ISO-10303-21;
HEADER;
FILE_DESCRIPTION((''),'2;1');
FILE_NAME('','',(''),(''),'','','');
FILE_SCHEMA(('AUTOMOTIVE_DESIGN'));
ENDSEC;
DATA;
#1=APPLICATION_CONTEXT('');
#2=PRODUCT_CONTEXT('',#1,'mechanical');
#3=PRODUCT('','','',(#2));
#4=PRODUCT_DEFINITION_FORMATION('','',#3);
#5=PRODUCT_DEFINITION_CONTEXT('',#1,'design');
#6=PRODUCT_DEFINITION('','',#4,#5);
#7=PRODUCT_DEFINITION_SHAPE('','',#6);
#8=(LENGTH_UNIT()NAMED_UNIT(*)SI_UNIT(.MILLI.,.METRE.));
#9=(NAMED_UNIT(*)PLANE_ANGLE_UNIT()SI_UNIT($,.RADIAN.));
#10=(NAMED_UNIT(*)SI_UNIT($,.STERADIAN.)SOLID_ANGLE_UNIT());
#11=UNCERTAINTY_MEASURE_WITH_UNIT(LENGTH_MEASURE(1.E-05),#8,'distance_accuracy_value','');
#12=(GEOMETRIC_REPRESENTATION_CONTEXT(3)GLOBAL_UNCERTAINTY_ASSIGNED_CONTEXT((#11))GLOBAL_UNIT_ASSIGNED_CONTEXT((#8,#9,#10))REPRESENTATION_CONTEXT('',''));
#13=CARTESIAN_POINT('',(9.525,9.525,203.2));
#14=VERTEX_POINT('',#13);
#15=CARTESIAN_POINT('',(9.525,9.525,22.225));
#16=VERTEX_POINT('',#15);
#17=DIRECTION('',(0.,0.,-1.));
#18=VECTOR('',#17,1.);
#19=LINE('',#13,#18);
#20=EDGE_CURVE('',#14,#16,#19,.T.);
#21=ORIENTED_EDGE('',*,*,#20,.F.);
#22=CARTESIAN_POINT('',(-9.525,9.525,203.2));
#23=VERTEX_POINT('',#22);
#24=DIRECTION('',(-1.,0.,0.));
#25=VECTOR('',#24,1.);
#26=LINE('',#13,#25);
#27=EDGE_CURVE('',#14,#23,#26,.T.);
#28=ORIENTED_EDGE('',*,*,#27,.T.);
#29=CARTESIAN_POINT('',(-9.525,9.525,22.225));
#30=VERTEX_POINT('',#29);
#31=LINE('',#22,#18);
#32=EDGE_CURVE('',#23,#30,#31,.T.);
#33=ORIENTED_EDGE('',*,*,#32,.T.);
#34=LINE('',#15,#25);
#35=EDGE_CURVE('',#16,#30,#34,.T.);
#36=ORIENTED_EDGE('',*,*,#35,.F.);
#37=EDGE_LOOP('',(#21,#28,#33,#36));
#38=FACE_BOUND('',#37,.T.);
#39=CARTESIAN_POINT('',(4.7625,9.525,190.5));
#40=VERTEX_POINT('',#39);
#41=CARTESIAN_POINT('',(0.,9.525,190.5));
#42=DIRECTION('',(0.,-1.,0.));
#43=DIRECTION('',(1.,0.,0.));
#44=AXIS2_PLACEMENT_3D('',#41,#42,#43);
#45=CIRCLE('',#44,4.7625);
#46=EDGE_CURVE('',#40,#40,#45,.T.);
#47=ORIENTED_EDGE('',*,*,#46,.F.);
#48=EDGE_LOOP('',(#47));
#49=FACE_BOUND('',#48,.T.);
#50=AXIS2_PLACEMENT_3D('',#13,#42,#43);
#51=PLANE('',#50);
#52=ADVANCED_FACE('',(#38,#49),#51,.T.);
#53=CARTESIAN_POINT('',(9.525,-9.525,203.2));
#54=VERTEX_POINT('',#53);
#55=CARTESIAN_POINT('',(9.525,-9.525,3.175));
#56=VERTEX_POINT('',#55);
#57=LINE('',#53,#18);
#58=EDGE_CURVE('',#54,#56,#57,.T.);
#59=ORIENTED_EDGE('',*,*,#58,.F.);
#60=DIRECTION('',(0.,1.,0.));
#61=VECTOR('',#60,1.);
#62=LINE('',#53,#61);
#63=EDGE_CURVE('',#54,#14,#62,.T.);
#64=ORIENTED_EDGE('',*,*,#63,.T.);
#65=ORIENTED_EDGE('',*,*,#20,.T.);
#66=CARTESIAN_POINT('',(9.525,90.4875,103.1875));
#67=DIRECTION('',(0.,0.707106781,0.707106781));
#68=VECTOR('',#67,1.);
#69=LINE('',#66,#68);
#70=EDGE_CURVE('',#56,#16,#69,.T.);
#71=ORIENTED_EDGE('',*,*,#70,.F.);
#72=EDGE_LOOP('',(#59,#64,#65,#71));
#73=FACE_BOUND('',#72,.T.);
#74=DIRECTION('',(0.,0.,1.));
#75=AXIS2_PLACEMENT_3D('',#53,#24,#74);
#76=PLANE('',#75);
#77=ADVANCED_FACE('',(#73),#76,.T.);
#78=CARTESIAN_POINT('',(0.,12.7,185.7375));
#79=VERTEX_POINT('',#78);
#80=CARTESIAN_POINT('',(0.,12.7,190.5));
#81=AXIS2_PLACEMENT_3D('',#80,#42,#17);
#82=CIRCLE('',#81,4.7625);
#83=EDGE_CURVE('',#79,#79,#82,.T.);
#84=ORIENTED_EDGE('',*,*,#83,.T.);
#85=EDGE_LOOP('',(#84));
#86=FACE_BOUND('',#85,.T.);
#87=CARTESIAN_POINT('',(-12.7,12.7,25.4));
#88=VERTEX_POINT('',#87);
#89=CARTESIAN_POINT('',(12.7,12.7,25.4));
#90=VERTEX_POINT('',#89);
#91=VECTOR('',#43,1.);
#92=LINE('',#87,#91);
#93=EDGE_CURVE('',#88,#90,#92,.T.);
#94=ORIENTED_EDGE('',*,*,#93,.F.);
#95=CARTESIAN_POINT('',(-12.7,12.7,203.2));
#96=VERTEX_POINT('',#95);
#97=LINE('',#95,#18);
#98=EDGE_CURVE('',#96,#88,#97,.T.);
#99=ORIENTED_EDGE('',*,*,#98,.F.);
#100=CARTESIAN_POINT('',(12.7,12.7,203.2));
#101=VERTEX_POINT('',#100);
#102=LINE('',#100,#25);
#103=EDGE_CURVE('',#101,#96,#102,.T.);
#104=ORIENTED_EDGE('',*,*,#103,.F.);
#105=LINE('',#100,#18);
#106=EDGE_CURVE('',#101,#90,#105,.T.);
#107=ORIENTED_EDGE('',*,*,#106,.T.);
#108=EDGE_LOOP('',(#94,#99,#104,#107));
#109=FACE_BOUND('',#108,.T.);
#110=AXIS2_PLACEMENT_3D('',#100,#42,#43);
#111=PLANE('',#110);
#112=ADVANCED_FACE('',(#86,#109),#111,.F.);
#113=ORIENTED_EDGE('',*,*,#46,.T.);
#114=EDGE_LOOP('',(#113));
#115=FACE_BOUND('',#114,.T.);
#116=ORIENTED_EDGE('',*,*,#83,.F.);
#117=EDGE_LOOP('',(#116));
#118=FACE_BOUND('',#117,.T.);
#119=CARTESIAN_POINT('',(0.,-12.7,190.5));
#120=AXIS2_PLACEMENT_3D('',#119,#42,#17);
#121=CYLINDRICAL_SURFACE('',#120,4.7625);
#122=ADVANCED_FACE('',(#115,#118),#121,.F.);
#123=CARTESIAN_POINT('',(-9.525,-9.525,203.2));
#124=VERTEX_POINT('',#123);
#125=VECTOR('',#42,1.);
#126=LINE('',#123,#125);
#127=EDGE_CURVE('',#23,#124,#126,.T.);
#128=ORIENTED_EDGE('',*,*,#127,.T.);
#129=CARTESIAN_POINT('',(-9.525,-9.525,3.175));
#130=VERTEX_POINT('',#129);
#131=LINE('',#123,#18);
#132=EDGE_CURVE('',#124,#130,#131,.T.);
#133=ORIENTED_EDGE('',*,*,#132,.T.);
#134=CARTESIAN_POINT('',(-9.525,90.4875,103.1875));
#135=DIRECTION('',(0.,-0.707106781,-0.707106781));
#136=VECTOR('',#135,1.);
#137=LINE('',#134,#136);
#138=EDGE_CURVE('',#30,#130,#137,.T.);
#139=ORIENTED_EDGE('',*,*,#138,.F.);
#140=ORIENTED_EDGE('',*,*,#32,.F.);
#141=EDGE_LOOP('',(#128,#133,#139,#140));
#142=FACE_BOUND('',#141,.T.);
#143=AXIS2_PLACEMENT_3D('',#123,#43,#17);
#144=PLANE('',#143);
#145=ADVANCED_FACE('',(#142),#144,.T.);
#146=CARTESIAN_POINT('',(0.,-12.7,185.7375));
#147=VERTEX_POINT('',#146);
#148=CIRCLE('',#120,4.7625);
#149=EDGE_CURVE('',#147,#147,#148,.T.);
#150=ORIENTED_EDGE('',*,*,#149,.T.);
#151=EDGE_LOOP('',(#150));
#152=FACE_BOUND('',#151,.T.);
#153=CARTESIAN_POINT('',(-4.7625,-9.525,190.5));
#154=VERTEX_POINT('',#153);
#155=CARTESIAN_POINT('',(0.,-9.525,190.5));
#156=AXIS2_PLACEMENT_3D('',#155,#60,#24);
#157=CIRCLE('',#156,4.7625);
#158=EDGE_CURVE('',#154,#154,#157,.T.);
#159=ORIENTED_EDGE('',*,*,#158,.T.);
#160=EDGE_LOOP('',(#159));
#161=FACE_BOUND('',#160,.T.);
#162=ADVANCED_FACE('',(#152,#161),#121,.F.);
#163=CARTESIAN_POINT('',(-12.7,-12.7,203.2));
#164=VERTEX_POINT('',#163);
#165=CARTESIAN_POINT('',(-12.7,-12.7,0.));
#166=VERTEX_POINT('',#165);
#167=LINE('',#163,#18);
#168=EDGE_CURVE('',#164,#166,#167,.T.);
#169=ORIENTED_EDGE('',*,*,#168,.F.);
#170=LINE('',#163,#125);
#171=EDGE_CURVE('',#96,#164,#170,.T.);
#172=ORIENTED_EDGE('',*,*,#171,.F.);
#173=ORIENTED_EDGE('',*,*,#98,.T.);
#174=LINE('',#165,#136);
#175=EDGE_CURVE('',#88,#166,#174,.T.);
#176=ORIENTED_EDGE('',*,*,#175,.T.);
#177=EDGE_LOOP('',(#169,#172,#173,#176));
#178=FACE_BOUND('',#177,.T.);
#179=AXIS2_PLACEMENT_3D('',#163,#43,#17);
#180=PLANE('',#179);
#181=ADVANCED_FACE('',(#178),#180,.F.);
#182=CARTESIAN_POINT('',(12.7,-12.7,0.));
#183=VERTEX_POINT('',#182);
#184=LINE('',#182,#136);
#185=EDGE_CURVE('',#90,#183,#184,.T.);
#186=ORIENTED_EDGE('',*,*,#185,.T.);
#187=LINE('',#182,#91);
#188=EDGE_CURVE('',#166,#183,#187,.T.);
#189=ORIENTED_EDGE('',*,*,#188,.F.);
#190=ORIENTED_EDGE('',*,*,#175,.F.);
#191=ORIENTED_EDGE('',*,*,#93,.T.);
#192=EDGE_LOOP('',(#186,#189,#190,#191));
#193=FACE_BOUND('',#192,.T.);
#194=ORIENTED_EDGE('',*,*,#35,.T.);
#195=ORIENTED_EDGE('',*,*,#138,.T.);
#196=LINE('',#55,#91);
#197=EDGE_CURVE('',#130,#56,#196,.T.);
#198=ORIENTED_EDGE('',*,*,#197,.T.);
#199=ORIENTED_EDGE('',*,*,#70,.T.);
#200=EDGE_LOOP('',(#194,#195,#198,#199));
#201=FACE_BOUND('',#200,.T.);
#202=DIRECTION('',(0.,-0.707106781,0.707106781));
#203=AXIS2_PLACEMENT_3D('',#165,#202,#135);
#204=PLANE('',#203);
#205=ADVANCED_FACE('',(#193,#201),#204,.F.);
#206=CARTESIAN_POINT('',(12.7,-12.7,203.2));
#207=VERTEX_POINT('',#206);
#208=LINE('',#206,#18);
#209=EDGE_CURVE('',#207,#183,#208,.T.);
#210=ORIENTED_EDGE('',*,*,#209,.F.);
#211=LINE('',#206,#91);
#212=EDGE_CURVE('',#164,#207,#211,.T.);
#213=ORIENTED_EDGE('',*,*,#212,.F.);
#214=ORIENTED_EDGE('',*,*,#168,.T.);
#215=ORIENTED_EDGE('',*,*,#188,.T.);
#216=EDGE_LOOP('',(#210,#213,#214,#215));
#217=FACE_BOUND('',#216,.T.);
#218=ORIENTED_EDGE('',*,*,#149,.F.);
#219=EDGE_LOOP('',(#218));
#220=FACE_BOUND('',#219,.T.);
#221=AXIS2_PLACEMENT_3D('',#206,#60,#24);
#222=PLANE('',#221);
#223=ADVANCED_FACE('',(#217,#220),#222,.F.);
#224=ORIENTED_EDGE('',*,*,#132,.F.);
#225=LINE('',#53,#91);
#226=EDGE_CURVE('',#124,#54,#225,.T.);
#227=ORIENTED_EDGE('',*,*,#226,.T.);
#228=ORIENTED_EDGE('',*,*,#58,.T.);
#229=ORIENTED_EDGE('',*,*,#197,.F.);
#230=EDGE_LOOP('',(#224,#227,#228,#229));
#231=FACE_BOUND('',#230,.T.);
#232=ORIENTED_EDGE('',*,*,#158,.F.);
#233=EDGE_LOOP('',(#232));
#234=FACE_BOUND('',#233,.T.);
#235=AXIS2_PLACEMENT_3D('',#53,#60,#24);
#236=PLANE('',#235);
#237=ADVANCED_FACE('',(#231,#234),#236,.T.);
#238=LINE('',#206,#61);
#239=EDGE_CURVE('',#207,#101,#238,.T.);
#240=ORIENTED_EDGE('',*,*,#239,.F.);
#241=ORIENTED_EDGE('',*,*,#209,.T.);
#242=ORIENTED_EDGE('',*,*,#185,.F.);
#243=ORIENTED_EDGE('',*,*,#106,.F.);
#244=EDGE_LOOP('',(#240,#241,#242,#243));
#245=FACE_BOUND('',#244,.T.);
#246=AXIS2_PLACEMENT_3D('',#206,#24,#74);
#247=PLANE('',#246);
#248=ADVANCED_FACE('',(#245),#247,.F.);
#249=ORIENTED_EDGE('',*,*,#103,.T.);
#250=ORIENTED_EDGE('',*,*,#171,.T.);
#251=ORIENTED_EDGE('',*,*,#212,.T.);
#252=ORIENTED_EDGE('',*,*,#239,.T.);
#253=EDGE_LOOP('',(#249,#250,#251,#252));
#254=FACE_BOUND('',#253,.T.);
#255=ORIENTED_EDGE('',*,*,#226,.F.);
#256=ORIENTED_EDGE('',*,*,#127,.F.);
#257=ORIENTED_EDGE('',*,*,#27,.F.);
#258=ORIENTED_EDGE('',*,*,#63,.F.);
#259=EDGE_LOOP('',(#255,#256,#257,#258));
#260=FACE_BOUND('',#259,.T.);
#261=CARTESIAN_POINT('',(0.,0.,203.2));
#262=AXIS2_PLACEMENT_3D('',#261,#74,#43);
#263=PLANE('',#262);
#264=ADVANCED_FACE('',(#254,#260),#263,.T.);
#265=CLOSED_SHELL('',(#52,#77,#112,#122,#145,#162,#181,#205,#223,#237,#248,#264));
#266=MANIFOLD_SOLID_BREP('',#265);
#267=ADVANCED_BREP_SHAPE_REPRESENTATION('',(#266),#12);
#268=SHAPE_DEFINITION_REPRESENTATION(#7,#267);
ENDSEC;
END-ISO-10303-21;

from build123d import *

# Parameters (mm, degrees)
SKETCH1_W                    = 25.4
SKETCH1_H                    = 25.4
SKETCH1_W_2                  = 19.05
SKETCH1_H_2                  = 19.05
BOSS_EXTRUDE1_DEPTH          = 203.2
CUT_EXTRUDE1_DEPTH           = 206.174779152
F_3_8_0_375_DIAMETER_HOLE1_D = 9.525


with BuildPart() as part:
    # Sketch1 → Boss-Extrude1 (new body)
    with BuildSketch(Plane.XY):
        Rectangle(SKETCH1_W, SKETCH1_H)
        Rectangle(SKETCH1_W_2, SKETCH1_H_2, mode=Mode.SUBTRACT)
    extrude(amount=BOSS_EXTRUDE1_DEPTH)

    # Sketch2 → Cut-Extrude1 (cut, through all)
    with BuildSketch(Plane(origin=(12.7, 0, 0), x_dir=(0, 0, -1), z_dir=(1, 0, 0))):
        Polygon((0, 12.7), (0, -12.7), (-25.4, 12.7), align=None)
    extrude(amount=-CUT_EXTRUDE1_DEPTH, mode=Mode.SUBTRACT)

    # 3/8 (0.375) Diameter Hole1 (through all)
    with Locations(Plane(origin=(0, -12.7, 0), x_dir=(-1, 0, 0), z_dir=(0, -1, 0))):
        with Locations((0, -190.5)):
            Hole(F_3_8_0_375_DIAMETER_HOLE1_D / 2)


solid = part.part
